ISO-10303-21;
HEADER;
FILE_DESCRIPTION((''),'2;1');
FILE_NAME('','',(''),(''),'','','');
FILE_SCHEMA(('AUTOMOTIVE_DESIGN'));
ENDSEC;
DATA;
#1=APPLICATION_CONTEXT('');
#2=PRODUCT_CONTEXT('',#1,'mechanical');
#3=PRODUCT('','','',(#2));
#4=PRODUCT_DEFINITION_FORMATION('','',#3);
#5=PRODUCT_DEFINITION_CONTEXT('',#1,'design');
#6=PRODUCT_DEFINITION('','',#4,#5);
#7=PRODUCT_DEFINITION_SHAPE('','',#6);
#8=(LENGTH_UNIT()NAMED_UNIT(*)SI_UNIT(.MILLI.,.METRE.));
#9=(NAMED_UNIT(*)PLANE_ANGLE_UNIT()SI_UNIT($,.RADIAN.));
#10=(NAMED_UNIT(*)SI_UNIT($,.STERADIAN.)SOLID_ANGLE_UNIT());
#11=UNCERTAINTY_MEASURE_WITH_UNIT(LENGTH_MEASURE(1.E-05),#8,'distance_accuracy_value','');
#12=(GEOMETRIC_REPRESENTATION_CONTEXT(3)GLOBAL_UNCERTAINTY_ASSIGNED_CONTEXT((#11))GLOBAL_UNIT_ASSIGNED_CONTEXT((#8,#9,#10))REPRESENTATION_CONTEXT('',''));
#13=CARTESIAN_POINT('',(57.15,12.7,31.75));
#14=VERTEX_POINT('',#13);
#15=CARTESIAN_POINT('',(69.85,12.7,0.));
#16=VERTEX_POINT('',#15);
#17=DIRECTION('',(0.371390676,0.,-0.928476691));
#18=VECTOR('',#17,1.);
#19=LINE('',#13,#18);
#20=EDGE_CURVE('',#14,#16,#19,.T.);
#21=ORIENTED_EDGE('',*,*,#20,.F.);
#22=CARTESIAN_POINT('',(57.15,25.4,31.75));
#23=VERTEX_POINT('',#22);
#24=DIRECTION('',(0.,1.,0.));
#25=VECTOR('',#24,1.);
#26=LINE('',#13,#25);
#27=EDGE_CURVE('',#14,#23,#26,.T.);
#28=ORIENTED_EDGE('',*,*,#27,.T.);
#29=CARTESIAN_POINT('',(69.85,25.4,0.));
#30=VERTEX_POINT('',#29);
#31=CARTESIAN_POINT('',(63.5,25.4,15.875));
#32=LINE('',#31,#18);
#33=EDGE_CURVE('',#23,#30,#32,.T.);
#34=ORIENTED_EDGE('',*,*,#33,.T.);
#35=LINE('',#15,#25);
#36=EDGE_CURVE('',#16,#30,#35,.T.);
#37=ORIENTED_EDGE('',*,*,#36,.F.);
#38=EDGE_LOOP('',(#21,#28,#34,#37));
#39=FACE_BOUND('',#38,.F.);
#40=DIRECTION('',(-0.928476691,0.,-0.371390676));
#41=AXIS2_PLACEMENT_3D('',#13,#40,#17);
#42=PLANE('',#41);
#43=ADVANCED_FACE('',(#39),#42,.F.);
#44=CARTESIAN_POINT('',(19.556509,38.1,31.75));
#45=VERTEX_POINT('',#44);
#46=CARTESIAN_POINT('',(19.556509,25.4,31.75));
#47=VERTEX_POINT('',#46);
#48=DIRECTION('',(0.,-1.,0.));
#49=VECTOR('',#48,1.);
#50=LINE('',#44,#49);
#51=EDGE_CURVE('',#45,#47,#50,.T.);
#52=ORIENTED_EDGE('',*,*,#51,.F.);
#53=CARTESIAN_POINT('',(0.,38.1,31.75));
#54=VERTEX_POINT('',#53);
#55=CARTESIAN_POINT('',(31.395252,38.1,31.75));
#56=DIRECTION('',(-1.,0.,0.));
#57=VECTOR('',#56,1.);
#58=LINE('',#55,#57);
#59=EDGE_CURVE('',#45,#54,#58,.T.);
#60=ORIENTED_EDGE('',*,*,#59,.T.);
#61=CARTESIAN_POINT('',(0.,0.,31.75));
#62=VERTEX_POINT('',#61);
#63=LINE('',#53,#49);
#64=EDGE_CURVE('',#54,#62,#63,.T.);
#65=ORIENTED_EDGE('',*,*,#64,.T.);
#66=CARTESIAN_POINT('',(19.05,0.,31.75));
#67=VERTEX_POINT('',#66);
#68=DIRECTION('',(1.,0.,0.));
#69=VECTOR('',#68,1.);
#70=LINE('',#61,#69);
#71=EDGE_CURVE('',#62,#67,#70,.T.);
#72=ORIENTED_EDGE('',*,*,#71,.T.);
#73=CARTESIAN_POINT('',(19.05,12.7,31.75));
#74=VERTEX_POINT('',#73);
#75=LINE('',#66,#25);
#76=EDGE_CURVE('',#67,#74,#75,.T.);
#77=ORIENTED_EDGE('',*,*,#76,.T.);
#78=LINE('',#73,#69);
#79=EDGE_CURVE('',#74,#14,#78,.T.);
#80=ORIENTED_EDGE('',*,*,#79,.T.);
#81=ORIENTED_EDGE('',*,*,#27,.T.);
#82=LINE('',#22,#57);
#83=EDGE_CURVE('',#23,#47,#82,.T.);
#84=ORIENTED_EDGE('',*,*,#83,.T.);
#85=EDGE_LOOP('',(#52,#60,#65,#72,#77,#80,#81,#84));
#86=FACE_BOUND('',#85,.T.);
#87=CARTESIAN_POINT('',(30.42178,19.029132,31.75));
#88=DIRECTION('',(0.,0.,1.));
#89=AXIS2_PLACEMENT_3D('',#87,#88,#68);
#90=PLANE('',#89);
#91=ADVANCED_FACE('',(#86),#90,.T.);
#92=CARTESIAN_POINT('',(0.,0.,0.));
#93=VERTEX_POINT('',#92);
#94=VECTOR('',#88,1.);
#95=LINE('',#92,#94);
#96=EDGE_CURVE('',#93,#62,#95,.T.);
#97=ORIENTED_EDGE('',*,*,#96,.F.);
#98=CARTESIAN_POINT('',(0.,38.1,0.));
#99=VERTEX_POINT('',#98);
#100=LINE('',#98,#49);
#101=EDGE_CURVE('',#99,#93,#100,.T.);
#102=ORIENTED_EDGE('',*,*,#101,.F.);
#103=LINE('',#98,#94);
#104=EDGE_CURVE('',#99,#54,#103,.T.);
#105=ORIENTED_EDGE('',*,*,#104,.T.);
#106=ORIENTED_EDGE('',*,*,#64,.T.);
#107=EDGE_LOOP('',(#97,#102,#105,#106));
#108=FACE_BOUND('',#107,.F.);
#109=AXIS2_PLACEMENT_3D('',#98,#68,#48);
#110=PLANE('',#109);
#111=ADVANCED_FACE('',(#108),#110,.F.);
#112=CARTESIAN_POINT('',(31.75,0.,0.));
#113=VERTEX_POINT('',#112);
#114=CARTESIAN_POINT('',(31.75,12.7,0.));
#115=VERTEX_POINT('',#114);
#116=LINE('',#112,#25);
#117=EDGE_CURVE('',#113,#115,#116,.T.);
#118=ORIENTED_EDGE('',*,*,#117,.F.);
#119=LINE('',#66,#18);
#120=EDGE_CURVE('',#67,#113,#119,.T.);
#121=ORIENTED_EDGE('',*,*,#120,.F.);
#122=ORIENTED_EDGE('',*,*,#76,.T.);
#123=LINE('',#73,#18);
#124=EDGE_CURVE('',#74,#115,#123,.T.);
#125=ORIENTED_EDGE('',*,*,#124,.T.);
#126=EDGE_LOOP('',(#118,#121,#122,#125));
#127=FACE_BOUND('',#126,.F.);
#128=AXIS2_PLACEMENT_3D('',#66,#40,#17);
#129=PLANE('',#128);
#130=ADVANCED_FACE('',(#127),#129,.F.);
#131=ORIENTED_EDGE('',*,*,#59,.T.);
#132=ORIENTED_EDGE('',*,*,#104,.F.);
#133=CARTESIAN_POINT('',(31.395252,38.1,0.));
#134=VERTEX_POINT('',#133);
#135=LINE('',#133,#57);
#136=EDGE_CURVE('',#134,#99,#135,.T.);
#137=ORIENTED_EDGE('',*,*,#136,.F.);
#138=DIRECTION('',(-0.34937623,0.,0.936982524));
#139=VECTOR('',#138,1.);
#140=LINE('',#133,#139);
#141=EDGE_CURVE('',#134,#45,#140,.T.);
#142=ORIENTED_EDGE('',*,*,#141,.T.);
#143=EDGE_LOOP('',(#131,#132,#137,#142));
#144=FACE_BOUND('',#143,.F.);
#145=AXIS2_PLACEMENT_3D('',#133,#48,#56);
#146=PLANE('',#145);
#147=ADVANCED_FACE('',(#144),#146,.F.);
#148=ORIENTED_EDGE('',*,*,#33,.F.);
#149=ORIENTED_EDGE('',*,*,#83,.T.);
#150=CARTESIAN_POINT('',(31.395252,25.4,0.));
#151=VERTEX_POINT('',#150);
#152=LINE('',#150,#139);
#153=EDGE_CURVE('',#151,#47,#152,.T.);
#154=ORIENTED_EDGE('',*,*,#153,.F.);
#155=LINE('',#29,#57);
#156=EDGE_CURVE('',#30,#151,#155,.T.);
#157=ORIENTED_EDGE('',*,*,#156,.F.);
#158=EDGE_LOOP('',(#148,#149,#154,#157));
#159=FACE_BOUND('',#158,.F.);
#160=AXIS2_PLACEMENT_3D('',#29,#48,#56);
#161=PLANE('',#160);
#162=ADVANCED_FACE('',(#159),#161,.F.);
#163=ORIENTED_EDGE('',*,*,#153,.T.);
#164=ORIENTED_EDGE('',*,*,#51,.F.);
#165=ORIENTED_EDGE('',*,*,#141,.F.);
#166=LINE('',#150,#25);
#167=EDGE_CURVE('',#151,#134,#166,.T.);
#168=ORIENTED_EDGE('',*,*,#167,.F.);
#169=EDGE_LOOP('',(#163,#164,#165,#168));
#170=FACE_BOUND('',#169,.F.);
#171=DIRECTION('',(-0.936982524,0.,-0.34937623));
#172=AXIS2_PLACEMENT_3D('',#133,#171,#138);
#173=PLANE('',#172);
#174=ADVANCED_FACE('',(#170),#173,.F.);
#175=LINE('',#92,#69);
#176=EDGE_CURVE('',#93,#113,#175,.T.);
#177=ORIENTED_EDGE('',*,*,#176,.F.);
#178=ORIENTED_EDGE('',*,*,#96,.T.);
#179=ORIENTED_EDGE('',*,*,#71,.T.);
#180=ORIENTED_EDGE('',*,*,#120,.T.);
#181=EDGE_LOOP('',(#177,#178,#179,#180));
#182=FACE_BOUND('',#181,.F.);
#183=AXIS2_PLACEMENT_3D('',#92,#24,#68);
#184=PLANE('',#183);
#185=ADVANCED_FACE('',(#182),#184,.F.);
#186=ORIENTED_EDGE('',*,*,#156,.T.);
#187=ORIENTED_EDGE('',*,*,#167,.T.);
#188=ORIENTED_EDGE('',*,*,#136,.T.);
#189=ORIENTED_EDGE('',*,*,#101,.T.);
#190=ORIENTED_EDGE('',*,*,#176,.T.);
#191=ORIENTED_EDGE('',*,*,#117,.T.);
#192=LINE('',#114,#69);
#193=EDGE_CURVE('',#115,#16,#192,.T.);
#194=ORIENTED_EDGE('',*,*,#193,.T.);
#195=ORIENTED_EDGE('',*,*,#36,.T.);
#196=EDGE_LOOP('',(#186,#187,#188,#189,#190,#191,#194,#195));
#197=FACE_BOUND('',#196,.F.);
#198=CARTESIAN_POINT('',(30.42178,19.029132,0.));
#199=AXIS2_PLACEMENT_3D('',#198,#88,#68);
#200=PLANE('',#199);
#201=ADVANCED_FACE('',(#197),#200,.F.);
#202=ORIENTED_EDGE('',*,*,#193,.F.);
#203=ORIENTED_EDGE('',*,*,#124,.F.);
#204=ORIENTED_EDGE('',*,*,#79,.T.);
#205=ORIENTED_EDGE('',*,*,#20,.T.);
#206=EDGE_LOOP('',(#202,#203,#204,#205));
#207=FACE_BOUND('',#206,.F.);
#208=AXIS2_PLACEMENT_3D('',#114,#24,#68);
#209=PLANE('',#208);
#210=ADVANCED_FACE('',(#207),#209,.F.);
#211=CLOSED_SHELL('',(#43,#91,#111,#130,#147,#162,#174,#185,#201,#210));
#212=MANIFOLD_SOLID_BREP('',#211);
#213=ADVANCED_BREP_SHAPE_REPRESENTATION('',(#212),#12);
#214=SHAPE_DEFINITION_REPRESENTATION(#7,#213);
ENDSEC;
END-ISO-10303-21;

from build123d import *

# Parameters (mm, degrees)
F1_DEPTH = 31.75
F3_DEPTH = 25.4
F5_DEPTH = 12.7
F7_DEPTH = 12.7


with BuildPart() as f1:
    # F0 (on Top) → F1 (new body)
    with BuildSketch(Plane.XY):
        Polygon((0, 38.1), (0, 0), (31.75, 0), (31.75, 12.7), (69.85, 12.7), (69.85, 25.4), (31.395252, 25.4), (31.395252, 38.1), align=None)
    extrude(amount=F1_DEPTH)

    # F2 (on face) → F3 (cut)
    with BuildSketch(Plane.XZ.offset(-12.7)):
        Polygon((69.85, 31.75), (57.15, 31.75), (69.85, 0), align=None)
    extrude(amount=-F3_DEPTH, mode=Mode.SUBTRACT)

    # F4 (on face) → F5 (cut)
    with BuildSketch(Plane.XZ):
        Polygon((31.75, 31.75), (19.05, 31.75), (31.75, 0), align=None)
    extrude(amount=-F5_DEPTH, mode=Mode.SUBTRACT)

    # F6 (on face) → F7 (cut)
    with BuildSketch(Plane(origin=(0, 38.1, 0), x_dir=(-1, 0, 0), z_dir=(0, 1, 0))):
        Polygon((-31.395252, 0), (-19.556509, 31.75), (-31.395252, 31.75), align=None)
    extrude(amount=-F7_DEPTH, mode=Mode.SUBTRACT)


solid = f1.part
